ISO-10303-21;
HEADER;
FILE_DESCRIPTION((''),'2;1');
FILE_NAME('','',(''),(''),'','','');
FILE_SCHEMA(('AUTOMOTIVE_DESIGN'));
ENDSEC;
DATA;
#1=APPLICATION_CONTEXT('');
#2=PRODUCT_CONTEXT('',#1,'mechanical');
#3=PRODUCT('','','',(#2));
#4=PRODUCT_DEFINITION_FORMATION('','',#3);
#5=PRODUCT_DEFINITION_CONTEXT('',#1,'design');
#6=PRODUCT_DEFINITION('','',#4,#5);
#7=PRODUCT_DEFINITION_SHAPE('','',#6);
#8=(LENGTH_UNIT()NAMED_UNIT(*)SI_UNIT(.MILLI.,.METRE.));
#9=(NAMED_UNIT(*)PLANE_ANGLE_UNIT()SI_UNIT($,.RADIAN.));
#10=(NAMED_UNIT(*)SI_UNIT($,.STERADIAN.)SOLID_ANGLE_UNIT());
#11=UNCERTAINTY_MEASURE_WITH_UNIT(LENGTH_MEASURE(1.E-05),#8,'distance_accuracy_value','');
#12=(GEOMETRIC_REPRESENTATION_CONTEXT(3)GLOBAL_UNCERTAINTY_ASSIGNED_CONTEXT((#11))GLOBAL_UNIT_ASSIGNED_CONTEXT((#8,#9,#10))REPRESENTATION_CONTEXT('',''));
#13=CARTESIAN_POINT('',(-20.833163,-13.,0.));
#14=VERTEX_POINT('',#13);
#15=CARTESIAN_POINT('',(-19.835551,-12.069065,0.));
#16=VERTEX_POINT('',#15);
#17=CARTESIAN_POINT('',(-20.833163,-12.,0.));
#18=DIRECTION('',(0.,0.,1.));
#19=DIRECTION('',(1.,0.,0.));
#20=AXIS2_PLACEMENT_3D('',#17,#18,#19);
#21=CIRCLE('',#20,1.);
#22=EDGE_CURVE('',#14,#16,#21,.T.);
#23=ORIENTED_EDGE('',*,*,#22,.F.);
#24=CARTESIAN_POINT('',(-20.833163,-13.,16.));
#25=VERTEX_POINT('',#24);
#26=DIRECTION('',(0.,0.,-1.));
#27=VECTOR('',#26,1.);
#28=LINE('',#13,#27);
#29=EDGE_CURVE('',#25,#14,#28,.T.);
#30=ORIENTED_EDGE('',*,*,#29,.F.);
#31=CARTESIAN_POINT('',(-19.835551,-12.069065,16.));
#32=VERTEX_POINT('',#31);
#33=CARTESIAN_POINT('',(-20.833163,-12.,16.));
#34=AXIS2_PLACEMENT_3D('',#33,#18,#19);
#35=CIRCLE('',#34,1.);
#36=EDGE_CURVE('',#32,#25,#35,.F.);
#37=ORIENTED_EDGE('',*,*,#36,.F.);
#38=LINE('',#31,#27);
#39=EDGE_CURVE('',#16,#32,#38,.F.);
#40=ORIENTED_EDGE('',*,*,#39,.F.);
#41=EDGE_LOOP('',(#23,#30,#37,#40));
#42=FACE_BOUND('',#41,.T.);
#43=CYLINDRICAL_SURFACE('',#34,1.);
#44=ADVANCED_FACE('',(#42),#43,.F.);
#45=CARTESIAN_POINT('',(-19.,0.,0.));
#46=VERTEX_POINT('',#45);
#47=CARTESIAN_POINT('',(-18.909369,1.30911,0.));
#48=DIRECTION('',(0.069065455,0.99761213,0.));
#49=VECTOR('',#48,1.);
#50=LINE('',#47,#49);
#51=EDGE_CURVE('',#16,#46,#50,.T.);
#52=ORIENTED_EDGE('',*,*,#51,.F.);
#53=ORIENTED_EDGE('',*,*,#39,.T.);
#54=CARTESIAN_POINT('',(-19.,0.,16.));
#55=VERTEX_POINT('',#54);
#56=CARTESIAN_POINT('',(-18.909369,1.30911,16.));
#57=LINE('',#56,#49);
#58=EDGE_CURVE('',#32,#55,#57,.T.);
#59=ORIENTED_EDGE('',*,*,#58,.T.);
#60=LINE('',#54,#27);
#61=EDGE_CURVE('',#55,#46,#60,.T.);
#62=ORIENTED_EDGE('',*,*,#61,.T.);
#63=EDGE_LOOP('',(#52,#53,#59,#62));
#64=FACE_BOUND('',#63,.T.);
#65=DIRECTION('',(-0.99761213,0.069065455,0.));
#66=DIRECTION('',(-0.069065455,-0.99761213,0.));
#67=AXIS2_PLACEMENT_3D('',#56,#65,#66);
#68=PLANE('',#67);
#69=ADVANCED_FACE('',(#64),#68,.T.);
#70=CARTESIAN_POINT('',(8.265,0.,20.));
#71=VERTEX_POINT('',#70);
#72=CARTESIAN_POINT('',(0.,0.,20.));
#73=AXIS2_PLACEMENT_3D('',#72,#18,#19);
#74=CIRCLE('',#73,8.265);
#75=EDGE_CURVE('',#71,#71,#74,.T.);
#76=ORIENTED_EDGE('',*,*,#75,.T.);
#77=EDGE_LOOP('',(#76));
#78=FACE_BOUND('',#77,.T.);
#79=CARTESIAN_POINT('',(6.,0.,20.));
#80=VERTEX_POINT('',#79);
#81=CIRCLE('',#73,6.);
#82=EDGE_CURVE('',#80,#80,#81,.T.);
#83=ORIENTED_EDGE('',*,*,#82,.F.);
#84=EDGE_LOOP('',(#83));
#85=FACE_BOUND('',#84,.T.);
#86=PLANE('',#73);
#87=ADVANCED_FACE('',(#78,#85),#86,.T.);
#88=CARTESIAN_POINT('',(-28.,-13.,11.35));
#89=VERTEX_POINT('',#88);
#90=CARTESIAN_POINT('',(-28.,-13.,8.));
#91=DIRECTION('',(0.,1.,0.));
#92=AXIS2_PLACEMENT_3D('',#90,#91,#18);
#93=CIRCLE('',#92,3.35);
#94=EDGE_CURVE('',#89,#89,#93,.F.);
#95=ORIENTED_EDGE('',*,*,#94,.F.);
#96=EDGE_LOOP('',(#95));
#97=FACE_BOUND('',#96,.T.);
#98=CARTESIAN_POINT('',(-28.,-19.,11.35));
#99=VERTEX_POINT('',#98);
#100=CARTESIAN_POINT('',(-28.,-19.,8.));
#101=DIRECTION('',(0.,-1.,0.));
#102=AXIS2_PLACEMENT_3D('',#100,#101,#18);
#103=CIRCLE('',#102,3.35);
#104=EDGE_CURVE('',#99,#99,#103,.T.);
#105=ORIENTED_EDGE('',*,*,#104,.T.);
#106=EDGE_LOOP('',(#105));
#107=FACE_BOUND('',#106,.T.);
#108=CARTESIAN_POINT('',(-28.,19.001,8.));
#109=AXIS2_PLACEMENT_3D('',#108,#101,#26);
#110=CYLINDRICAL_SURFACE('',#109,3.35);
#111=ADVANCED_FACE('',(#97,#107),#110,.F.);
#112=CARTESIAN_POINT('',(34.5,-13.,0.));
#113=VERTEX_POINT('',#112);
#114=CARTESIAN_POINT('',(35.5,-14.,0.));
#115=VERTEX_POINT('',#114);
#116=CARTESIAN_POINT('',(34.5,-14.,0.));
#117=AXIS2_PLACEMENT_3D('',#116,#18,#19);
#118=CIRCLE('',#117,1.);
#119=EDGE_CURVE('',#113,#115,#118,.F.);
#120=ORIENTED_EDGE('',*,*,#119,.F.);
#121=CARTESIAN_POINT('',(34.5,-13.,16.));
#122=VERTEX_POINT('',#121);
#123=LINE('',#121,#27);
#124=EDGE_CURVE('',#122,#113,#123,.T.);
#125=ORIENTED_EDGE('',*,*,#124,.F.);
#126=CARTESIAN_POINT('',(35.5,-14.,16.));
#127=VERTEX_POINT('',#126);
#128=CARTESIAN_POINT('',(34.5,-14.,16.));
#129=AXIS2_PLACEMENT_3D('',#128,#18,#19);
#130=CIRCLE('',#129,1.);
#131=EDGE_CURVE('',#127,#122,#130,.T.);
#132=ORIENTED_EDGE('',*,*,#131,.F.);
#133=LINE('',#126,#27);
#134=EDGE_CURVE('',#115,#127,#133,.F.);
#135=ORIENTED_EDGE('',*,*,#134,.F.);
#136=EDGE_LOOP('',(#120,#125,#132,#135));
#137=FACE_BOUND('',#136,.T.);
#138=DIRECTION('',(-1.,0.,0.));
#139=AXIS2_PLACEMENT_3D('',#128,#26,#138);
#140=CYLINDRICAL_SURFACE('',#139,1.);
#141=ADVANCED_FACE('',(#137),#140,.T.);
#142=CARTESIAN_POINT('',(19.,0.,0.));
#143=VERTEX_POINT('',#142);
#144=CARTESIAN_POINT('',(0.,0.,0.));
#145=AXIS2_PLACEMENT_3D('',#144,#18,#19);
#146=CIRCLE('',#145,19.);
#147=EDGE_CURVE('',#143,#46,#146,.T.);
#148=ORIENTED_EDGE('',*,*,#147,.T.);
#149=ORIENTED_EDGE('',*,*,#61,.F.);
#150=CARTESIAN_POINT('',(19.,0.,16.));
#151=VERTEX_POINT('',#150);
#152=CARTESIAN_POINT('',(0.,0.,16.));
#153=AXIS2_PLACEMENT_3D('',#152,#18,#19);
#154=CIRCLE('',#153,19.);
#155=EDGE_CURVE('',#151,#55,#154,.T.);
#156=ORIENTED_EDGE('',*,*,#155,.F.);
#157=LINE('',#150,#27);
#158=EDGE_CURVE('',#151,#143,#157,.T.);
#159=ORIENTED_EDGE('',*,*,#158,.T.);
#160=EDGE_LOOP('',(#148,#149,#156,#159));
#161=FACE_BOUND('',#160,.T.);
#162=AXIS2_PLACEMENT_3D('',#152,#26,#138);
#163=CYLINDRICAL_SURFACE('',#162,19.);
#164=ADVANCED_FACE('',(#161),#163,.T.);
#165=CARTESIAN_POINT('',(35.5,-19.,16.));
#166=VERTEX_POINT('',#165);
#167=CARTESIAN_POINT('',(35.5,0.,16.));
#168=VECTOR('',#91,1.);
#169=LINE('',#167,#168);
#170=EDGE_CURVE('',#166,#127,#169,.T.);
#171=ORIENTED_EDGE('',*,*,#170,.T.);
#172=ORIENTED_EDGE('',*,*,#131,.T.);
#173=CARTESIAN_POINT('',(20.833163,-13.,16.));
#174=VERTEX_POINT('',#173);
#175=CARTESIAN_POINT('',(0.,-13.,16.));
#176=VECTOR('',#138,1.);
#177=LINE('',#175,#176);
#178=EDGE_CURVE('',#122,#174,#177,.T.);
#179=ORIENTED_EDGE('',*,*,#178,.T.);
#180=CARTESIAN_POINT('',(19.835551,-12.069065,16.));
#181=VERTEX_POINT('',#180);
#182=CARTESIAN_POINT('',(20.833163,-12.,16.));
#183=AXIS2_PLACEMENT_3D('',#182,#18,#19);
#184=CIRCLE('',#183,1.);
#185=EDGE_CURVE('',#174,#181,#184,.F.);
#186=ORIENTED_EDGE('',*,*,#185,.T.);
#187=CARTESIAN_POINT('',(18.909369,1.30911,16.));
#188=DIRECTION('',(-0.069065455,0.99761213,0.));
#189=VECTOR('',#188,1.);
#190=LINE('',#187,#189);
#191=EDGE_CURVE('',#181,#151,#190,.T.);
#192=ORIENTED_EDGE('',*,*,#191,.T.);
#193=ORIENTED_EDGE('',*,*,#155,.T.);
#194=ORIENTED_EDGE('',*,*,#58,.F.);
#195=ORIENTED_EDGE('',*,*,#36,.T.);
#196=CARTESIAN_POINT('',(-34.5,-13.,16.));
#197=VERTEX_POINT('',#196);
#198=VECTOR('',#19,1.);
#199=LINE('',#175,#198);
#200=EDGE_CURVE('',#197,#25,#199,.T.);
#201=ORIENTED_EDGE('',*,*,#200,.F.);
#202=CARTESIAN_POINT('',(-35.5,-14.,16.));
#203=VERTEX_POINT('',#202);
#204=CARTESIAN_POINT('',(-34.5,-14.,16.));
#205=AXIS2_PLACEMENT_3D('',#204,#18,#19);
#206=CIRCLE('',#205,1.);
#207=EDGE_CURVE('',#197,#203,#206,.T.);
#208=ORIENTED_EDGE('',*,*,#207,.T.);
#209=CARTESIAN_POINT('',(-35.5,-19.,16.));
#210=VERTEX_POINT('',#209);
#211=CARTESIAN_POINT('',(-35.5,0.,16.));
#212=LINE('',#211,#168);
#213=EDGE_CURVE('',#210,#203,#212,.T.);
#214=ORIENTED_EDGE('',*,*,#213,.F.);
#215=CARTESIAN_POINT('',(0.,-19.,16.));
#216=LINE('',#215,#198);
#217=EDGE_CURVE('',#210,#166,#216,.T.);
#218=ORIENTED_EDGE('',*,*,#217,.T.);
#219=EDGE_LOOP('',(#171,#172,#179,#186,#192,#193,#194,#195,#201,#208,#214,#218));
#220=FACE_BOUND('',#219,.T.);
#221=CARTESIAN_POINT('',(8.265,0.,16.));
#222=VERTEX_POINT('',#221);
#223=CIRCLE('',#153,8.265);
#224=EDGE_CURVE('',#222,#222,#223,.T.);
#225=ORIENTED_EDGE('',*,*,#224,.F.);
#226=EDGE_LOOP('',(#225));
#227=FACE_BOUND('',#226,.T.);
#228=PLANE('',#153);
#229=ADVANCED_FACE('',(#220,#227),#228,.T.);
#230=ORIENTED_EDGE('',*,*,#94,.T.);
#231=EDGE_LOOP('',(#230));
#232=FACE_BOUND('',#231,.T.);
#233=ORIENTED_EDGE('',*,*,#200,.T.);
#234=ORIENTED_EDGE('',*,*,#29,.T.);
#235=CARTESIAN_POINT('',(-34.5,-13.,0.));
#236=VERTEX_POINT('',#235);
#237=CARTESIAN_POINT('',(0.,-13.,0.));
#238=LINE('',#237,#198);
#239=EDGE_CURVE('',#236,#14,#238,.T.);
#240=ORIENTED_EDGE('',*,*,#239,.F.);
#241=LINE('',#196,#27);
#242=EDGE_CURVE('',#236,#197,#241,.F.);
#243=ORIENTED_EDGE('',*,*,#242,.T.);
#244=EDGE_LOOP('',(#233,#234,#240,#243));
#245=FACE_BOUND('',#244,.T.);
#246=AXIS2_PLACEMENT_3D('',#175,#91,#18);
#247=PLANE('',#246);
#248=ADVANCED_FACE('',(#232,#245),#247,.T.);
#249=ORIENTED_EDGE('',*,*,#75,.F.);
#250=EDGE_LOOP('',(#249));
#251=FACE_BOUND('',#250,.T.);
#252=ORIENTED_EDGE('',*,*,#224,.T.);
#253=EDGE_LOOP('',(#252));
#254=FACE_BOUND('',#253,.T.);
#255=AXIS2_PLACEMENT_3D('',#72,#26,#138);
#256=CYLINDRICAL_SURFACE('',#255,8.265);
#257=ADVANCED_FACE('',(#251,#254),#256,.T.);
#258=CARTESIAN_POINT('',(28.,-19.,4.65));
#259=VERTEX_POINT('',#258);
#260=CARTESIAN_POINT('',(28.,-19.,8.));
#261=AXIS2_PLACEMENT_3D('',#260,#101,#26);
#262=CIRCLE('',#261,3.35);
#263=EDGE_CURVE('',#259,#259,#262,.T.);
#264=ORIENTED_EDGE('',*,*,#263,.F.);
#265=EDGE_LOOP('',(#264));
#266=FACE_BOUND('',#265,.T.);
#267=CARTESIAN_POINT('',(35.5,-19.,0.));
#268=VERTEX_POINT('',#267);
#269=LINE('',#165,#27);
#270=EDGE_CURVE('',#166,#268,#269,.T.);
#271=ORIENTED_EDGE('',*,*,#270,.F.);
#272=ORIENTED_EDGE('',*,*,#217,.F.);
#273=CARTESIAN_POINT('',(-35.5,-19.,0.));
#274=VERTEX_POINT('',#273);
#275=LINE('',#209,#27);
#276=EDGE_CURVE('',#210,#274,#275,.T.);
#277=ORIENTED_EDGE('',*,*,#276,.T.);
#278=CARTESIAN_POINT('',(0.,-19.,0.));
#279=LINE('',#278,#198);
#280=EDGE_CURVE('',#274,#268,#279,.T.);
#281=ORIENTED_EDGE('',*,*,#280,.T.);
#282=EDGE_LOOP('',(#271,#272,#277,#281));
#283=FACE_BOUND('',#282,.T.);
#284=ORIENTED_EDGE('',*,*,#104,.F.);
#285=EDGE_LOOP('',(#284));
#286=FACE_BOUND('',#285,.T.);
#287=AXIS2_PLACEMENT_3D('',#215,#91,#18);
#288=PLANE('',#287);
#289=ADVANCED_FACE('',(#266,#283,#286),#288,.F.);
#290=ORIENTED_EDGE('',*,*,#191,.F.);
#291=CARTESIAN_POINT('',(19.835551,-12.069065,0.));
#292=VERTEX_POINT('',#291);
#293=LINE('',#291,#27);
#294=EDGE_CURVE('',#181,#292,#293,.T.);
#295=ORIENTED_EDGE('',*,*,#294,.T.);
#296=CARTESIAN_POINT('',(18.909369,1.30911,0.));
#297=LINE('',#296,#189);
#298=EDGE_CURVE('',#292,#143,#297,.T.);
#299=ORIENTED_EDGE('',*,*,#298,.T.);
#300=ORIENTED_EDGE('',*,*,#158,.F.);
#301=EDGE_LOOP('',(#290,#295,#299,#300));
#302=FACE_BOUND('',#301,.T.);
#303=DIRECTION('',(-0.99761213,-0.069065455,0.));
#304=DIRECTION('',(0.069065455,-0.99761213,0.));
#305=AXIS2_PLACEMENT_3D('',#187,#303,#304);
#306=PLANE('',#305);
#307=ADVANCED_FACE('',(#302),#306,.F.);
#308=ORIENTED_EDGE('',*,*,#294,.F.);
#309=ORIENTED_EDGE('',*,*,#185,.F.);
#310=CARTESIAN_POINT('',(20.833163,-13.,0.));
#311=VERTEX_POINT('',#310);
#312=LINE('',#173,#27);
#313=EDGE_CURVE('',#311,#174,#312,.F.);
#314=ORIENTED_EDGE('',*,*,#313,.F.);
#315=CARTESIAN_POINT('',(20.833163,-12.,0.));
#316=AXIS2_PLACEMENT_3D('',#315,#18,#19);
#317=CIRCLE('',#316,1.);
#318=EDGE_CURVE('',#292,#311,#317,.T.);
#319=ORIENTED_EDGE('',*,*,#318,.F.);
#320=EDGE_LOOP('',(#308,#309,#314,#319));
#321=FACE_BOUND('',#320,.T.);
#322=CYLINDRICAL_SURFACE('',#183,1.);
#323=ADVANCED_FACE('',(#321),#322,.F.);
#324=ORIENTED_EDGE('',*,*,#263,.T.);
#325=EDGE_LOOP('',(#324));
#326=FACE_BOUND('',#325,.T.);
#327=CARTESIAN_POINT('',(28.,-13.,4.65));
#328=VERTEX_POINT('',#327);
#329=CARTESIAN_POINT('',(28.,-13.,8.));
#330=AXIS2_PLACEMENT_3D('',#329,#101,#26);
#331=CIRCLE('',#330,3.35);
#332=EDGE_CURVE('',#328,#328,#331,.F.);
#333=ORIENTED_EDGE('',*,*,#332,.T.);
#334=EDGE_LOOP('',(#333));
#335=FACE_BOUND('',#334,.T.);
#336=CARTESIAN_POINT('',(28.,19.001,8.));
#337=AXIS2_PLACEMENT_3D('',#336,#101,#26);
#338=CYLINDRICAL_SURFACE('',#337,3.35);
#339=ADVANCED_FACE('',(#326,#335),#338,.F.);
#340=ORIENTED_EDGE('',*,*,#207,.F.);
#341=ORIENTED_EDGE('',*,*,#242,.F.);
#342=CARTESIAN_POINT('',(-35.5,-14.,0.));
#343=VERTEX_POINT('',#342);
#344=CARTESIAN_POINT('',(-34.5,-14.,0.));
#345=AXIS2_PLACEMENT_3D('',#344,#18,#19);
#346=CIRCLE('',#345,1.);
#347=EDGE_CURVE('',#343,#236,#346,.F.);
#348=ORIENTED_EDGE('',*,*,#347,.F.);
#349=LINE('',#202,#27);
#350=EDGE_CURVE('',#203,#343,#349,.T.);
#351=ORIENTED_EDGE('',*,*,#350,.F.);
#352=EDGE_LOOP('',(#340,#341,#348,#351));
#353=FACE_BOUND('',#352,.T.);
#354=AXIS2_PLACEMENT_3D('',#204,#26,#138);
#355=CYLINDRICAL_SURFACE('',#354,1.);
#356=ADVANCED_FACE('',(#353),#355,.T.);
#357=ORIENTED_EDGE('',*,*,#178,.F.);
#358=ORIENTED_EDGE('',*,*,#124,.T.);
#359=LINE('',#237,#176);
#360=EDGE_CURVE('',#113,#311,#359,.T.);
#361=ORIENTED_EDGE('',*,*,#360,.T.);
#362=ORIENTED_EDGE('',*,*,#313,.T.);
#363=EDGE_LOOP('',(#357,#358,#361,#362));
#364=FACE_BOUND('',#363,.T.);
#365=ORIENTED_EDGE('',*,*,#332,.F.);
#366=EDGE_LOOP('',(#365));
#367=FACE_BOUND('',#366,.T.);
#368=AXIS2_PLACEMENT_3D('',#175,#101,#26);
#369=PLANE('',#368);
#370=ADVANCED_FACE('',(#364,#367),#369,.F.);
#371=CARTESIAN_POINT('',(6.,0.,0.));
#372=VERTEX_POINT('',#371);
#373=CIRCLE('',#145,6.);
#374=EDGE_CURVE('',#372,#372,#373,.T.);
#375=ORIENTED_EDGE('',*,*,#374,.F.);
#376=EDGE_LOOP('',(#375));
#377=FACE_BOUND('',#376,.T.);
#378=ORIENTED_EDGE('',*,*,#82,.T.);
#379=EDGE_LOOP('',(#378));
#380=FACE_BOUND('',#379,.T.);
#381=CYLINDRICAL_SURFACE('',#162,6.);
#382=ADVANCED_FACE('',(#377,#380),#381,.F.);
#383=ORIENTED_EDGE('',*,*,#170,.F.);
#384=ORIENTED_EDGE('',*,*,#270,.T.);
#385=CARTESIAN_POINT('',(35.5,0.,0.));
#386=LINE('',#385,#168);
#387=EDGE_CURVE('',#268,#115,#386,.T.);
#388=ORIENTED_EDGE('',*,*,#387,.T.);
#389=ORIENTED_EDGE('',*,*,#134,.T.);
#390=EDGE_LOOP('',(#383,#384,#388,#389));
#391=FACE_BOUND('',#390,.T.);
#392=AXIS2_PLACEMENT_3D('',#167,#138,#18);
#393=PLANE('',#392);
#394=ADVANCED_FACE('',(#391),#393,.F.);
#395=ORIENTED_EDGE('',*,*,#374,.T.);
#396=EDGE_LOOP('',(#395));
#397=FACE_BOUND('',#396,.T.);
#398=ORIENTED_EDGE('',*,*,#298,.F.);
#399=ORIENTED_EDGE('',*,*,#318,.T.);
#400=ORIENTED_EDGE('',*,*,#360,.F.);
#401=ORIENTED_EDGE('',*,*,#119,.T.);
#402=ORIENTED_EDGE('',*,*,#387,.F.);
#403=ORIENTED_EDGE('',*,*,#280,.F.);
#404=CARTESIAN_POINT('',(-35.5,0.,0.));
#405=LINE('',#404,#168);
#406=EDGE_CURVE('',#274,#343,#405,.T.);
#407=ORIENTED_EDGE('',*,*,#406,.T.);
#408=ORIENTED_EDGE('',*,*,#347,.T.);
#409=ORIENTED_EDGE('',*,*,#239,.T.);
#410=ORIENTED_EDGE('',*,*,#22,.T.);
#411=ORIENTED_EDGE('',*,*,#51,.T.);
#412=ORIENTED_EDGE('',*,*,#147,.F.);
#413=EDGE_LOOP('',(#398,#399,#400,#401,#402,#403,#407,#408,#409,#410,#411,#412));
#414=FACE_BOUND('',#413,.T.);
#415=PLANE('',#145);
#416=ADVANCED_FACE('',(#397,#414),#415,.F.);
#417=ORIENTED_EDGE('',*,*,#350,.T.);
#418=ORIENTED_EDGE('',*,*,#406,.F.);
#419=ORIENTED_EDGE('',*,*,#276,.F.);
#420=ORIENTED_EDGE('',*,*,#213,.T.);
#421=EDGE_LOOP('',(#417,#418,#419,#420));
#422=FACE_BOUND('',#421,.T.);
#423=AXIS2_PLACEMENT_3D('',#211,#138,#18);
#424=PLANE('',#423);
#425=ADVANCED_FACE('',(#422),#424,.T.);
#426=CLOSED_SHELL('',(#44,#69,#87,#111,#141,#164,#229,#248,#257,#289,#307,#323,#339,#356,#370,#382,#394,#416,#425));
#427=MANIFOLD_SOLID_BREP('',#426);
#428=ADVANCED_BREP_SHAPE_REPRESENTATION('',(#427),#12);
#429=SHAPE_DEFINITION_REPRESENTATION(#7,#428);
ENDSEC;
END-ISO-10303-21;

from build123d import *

# Parameters (mm, degrees)
SKETCH1_R           = 19
SKETCH1_R_2         = 6
BOSS_EXTRUDE1_DEPTH = 16
SKETCH2_R           = 8.265
SKETCH2_R_2         = 6
BOSS_EXTRUDE2_DEPTH = 4
FILLET1_R           = 1
CUT_EXTRUDE1_REACH  = 57.716
SKETCH3_R           = 3.35


with BuildPart() as part:
    # Sketch1 → Boss-Extrude1 (new body)
    # profile 1 of 3: a face of its own
    with BuildSketch(Plane.XY):
        with BuildLine():
            Line((-35.5, -13), (-35.5, -19))
            Line((-35.5, -19), (-3.6e-08, -19))
            ThreePointArc((-3.6e-08, -19), (-13.435028855, -13.43502883), (-19, 0))
            Line((-19, 0), (-19.9, -13))
            Line((-19.9, -13), (-35.5, -13))
        make_face()
    # profile 2 of 3: a face of its own
    with BuildSketch(Plane.XY):
        Circle(SKETCH1_R)
        Circle(SKETCH1_R_2, mode=Mode.SUBTRACT)
    # profile 3 of 3: a face of its own
    with BuildSketch(Plane.XY):
        with BuildLine():
            ThreePointArc((19, 0), (13.43502883, -13.435028855), (-3.6e-08, -19))
            Line((-3.6e-08, -19), (35.5, -19))
            Line((35.5, -19), (35.5, -13))
            Line((35.5, -13), (19.9, -13))
            Line((19.9, -13), (19, 0))
        make_face()
    extrude(amount=BOSS_EXTRUDE1_DEPTH)

    # Sketch2 → Boss-Extrude2 (add)
    with BuildSketch(Plane.XY.offset(16)):
        Circle(SKETCH2_R)
        Circle(SKETCH2_R_2, mode=Mode.SUBTRACT)
    extrude(amount=BOSS_EXTRUDE2_DEPTH)

    # Fillet1
    fillet1_edges = [part.edges().sort_by_distance(p)[0] for p in [
        (-35.5, -13, 8),
        (-19.9, -13, 8),
        (19.9, -13, 8),
        (35.5, -13, 8),
    ]]
    fillet(fillet1_edges, radius=FILLET1_R)

    # Sketch3 → Cut-Extrude1 (cut, up to next)
    with BuildSketch(Plane.XZ.offset(19), mode=Mode.PRIVATE) as cut_extrude1_sk1:
        with Locations(Location((28, 8, 0), (0, 0, 270))):
            Circle(SKETCH3_R)
    cut_extrude1_tool1 = extrude(cut_extrude1_sk1.sketch, amount=-CUT_EXTRUDE1_REACH, mode=Mode.PRIVATE) & part.part
    # Sketch3 → Cut-Extrude1 (cut, up to next)
    with BuildSketch(Plane.XZ.offset(19), mode=Mode.PRIVATE) as cut_extrude1_sk2:
        with Locations(Location((-28, 8, 0), (0, 0, 90))):
            Circle(SKETCH3_R)
    cut_extrude1_tool2 = extrude(cut_extrude1_sk2.sketch, amount=-CUT_EXTRUDE1_REACH, mode=Mode.PRIVATE) & part.part
    add(cut_extrude1_tool1.solids().sort_by_distance((28, -19, 8))[0], mode=Mode.SUBTRACT)
    add(cut_extrude1_tool2.solids().sort_by_distance((-28, -19, 8))[0], mode=Mode.SUBTRACT)


solid = part.part
